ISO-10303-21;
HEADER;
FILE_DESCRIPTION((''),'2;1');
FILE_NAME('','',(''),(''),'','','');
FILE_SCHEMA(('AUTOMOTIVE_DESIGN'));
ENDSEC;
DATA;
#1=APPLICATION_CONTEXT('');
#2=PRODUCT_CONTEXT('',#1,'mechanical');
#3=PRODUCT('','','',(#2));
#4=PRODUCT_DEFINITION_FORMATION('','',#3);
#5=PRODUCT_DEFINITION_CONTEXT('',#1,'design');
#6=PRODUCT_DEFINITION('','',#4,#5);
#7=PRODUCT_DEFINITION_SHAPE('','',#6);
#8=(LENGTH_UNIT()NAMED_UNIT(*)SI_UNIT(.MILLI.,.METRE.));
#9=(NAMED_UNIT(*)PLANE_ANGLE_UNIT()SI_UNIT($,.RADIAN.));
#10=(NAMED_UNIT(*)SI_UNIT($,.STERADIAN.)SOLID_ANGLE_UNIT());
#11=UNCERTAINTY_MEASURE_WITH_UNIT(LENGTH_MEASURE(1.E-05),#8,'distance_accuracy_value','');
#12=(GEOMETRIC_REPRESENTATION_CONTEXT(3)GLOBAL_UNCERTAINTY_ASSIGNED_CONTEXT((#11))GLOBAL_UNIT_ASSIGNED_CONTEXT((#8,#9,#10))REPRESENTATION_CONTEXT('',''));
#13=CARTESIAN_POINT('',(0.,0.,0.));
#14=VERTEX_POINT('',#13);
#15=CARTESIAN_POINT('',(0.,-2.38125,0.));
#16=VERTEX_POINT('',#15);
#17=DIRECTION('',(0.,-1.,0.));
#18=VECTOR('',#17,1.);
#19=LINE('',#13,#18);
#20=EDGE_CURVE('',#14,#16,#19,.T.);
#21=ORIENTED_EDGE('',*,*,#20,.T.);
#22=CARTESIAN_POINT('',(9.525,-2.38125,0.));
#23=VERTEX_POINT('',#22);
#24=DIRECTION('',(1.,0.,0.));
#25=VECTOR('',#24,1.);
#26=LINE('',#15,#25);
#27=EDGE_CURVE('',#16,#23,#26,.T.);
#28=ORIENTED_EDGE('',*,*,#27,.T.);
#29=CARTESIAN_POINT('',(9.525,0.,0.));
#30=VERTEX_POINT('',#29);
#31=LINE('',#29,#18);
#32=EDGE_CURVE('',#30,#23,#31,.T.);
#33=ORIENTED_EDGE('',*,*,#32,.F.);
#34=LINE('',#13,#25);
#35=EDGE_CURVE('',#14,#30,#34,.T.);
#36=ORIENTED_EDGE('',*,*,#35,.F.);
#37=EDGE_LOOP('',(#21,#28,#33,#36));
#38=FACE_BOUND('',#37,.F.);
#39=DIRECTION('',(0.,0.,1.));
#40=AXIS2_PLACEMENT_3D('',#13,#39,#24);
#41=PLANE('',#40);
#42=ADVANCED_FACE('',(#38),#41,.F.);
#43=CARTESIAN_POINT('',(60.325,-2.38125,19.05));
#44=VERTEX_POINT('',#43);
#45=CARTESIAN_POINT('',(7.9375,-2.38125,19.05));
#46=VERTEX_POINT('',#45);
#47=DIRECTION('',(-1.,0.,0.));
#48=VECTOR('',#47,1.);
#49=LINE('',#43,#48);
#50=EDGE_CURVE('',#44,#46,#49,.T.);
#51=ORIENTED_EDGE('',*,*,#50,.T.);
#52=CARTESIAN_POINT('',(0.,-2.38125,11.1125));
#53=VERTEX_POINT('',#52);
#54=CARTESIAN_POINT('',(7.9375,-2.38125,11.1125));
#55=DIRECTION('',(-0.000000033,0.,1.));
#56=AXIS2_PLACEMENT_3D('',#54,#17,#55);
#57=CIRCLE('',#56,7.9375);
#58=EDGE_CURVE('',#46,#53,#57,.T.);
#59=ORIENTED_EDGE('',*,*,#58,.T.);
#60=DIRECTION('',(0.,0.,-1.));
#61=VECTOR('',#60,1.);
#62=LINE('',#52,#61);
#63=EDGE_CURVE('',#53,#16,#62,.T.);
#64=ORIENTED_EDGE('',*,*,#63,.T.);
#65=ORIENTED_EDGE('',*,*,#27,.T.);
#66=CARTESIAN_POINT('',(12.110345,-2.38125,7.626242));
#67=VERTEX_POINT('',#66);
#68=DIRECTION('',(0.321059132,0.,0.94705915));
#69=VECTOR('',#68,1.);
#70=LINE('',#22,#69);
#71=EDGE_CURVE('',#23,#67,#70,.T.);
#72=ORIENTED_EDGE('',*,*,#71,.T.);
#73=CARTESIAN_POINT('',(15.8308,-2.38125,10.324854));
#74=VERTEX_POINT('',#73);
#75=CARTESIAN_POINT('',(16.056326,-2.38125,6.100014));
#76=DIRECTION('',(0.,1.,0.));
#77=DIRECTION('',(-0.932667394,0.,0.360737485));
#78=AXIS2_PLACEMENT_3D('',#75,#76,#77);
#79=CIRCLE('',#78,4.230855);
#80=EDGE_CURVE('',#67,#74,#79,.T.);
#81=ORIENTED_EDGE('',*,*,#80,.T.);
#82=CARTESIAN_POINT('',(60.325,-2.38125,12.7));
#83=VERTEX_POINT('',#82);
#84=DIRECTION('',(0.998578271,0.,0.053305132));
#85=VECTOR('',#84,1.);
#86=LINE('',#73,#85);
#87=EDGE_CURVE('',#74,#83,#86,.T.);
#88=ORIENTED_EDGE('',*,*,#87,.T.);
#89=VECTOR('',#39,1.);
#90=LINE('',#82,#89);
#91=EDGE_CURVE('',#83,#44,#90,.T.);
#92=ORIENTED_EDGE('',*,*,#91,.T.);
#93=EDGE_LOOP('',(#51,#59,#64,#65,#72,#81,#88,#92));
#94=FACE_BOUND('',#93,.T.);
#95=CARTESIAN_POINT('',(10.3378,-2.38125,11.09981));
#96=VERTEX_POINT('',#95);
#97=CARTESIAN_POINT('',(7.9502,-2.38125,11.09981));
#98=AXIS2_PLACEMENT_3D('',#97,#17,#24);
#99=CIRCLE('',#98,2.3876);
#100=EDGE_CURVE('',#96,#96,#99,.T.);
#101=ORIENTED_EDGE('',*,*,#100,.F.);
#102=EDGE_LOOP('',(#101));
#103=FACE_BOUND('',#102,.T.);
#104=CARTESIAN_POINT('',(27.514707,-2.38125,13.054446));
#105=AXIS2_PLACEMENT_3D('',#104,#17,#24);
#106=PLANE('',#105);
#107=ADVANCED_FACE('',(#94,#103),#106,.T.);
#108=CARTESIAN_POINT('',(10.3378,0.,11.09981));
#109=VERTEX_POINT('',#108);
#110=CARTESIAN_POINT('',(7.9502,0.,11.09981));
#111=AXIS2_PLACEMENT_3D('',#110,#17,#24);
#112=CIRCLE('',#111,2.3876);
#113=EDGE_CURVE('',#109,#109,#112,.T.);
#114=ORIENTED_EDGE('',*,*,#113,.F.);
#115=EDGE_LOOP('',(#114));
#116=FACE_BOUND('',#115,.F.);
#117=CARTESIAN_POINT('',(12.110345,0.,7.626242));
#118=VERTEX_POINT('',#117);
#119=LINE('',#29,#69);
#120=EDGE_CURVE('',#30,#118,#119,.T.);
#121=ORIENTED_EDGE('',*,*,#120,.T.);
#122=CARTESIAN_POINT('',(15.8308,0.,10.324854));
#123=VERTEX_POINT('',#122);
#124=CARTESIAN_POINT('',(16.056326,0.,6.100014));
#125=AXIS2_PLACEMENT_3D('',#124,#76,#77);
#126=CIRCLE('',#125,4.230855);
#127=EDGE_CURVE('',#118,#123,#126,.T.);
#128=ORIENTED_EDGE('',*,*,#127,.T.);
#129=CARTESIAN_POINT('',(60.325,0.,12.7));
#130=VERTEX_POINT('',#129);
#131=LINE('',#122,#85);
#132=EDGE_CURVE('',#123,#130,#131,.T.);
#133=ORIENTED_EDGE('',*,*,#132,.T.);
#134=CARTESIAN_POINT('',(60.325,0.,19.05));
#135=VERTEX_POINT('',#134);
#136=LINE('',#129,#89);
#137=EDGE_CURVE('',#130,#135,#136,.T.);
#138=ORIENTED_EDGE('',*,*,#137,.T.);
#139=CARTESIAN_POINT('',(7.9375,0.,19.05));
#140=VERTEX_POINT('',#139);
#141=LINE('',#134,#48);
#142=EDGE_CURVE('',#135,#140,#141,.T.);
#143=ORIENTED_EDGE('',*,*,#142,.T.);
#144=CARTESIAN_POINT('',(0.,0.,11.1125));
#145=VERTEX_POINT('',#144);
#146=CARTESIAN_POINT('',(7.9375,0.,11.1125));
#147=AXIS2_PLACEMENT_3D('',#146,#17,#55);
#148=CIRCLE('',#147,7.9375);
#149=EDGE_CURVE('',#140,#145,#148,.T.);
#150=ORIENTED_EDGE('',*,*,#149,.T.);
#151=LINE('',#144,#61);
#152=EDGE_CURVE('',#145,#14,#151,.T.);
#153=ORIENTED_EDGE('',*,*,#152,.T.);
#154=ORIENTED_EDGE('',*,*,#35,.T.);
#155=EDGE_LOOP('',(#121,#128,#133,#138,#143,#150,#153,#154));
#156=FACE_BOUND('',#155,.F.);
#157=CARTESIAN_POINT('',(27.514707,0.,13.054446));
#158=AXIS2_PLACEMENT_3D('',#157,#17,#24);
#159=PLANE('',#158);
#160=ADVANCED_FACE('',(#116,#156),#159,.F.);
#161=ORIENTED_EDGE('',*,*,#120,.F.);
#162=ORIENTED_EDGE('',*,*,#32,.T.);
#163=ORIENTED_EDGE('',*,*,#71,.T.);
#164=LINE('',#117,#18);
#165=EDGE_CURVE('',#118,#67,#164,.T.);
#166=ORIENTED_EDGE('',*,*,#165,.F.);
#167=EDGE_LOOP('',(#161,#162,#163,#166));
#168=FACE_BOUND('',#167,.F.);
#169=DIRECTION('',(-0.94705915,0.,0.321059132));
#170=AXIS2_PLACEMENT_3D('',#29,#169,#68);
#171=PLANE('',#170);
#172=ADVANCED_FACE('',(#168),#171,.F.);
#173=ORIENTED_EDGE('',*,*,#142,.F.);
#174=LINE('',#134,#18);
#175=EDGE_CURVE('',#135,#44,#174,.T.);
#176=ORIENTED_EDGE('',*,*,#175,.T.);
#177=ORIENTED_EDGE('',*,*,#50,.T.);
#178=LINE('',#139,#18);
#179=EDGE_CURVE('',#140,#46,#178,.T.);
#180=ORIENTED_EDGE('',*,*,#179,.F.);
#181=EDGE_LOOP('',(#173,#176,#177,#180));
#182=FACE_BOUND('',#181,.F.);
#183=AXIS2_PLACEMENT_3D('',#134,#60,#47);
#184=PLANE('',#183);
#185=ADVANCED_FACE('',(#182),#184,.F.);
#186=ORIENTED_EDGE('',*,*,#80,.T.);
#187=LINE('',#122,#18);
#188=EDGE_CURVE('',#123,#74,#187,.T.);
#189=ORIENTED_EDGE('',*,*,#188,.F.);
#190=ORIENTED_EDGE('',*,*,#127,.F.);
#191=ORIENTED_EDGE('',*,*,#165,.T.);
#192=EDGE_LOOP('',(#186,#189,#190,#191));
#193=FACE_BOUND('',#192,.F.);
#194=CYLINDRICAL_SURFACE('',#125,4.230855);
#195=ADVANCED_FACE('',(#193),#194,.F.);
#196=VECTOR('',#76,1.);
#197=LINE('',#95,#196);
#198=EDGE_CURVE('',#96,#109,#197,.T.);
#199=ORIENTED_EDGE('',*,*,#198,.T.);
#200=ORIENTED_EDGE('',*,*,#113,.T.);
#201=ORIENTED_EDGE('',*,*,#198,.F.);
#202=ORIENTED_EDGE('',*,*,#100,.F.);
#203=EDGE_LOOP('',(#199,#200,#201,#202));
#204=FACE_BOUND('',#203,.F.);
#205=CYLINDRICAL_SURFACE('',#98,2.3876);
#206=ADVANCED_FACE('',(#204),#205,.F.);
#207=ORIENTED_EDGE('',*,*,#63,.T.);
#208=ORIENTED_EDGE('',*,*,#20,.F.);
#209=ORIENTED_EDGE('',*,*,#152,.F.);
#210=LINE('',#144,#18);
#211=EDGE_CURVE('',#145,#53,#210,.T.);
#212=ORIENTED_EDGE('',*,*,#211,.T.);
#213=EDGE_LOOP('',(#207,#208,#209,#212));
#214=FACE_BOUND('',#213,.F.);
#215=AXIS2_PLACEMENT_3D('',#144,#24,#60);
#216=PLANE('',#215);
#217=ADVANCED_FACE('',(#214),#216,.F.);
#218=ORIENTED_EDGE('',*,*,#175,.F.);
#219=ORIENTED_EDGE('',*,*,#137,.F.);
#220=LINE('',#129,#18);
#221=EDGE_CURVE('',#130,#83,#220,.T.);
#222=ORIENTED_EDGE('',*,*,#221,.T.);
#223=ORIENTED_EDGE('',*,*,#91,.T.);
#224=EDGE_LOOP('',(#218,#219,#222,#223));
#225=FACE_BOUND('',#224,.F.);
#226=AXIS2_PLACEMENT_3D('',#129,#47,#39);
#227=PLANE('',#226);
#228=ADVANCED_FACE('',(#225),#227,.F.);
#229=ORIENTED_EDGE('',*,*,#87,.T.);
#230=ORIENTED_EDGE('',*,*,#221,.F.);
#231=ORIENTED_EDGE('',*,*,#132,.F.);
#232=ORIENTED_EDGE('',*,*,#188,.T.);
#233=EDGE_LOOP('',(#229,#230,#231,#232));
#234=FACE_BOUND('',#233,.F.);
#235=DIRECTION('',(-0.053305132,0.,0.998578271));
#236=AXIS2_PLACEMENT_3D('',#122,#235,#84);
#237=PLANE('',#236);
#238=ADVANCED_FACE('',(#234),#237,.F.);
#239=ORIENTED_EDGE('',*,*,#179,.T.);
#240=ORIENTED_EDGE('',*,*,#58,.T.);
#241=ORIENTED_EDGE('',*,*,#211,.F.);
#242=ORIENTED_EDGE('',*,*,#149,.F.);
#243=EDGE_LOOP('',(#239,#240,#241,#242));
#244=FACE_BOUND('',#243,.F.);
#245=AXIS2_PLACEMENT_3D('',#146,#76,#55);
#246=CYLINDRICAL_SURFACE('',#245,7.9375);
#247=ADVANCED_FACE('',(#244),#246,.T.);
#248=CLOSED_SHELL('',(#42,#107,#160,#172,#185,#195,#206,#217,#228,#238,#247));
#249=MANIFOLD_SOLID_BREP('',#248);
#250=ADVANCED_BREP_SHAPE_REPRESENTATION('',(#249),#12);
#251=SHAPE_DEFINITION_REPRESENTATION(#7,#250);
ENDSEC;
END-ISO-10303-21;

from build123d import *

# Parameters (mm, degrees)
F1_DEPTH = 2.38125
F2_R     = 2.3876
F3_DEPTH = 25.4


with BuildPart() as f1:
    # F0 (on Front) → F1 (new body)
    with BuildSketch(Plane.XZ):
        with BuildLine():
            Line((60.325, 19.05), (7.9375, 19.05))
            ThreePointArc((7.9375, 19.05), (2.32484, 16.72516), (0, 11.1125))
            Line((0, 11.1125), (0, 0))
            Line((0, 0), (9.525, 0))
            Line((9.525, 0), (12.110345, 7.626242))
            ThreePointArc((12.110345, 7.626242), (13.572178, 9.524798), (15.8308, 10.324854))
            Line((15.8308, 10.324854), (60.325, 12.7))
            Line((60.325, 12.7), (60.325, 19.05))
        make_face()
    extrude(amount=F1_DEPTH)

    # F2 (on face) → F3 (cut)
    with BuildSketch(Plane.XZ.offset(2.38125)):
        with Locations((7.9502, 11.09981)):
            Circle(F2_R)
    extrude(amount=-F3_DEPTH, mode=Mode.SUBTRACT)


solid = f1.part
